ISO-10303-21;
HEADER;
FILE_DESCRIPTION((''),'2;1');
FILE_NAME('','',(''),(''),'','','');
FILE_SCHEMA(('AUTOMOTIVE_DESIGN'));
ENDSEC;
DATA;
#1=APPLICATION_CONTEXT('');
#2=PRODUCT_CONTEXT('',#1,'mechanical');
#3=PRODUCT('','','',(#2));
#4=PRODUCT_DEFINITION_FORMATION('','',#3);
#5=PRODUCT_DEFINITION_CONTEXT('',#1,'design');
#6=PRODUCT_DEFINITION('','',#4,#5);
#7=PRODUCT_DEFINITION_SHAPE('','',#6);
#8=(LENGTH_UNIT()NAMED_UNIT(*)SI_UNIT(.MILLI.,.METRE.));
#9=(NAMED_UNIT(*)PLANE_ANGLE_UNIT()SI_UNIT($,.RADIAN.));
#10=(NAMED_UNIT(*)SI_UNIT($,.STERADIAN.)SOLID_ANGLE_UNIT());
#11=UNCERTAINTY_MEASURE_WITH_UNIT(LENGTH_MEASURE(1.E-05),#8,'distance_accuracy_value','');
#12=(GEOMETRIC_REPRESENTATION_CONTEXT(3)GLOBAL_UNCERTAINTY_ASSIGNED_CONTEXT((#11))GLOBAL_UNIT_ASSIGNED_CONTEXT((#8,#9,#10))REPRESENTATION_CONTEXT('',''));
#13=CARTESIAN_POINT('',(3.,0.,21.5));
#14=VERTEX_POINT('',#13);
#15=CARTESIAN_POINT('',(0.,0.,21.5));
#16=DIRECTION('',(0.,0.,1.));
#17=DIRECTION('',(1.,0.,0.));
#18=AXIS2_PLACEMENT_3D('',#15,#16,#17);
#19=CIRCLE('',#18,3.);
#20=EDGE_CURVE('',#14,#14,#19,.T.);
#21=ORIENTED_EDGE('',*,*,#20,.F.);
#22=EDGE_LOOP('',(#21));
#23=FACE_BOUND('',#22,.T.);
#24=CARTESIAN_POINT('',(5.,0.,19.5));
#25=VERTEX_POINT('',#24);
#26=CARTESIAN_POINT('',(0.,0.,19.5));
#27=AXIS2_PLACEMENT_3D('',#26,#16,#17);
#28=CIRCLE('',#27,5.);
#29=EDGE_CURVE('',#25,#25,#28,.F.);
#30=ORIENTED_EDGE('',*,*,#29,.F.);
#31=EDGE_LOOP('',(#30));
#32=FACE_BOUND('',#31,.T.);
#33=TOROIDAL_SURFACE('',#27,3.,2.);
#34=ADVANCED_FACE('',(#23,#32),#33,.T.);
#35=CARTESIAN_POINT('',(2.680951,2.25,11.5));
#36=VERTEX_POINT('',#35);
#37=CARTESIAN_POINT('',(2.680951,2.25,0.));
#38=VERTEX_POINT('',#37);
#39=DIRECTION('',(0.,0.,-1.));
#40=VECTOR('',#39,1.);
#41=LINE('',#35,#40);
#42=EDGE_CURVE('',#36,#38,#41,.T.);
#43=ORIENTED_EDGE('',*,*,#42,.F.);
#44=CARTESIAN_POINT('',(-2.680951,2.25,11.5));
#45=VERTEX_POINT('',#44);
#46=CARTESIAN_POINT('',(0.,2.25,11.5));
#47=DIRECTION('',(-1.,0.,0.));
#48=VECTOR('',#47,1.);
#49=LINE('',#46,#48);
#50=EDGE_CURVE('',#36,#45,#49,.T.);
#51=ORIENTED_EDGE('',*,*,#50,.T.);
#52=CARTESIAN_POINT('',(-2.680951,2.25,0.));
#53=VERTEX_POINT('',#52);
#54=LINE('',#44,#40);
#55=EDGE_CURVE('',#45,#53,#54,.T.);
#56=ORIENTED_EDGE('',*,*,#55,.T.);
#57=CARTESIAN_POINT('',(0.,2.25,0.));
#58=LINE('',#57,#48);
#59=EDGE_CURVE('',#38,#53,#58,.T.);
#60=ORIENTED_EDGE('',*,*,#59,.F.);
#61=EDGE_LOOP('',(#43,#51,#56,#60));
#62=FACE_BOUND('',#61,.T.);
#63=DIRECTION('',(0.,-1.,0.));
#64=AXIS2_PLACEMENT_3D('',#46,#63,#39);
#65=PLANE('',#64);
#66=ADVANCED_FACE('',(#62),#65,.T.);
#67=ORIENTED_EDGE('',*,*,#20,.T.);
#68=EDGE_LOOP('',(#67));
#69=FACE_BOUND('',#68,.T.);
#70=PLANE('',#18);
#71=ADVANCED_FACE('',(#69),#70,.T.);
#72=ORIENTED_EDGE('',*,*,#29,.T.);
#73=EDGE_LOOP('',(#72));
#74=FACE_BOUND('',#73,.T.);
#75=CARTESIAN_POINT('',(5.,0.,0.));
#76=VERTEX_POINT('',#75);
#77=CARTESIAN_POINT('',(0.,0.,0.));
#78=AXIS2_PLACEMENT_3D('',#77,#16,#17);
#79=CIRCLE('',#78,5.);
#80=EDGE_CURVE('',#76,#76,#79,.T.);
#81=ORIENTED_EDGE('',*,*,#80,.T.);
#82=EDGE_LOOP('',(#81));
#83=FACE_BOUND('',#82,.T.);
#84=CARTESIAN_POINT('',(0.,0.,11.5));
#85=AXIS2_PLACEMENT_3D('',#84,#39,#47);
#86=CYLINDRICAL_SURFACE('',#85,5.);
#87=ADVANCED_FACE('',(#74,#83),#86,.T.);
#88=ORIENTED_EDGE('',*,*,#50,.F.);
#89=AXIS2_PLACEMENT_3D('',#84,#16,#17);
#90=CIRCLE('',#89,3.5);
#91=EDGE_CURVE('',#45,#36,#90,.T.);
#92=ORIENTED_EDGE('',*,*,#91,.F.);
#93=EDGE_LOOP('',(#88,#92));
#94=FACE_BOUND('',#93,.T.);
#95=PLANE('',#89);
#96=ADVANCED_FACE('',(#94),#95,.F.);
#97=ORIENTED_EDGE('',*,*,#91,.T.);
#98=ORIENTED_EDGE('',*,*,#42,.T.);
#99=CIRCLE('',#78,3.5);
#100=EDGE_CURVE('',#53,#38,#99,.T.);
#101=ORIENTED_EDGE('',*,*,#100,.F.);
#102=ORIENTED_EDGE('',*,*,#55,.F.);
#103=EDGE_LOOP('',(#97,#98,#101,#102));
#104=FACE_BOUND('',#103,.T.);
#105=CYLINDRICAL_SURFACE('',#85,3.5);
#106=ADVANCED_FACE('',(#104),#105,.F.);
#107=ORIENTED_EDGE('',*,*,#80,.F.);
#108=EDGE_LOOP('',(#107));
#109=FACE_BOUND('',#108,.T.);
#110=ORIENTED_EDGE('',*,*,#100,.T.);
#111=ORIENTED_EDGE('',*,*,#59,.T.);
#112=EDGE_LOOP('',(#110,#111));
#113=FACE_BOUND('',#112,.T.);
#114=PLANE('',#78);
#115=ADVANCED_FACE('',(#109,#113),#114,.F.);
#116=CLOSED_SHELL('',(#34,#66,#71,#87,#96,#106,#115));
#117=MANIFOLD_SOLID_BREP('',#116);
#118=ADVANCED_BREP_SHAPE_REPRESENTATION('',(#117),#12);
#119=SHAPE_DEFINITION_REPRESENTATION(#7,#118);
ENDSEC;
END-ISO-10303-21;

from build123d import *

# Parameters (mm, degrees)
SKETCH1_R           = 5
BOSS_EXTRUDE1_DEPTH = 11.5
SKETCH2_R           = 5
BOSS_EXTRUDE2_DEPTH = 10
FILLET2_R           = 2


with BuildPart() as part:
    # Sketch1 → Boss-Extrude1 (new body)
    with BuildSketch(Plane.XY):
        Circle(SKETCH1_R)
        with BuildLine():
            Line((-2.680951324, 2.25), (0, 2.25))
            Line((0, 2.25), (2.680951324, 2.25))
            ThreePointArc((2.680951324, 2.25), (0, -3.5), (-2.680951324, 2.25))
        make_face(mode=Mode.SUBTRACT)
    extrude(amount=BOSS_EXTRUDE1_DEPTH)

    # Sketch2 → Boss-Extrude2 (add)
    with BuildSketch(Plane.XY.offset(11.5)):
        Circle(SKETCH2_R)
    extrude(amount=BOSS_EXTRUDE2_DEPTH)

    # Fillet2
    fillet2_edges = [part.edges().sort_by_distance(p)[0] for p in [
        (-5, 0, 21.5),
    ]]
    fillet(fillet2_edges, radius=FILLET2_R)


solid = part.part
